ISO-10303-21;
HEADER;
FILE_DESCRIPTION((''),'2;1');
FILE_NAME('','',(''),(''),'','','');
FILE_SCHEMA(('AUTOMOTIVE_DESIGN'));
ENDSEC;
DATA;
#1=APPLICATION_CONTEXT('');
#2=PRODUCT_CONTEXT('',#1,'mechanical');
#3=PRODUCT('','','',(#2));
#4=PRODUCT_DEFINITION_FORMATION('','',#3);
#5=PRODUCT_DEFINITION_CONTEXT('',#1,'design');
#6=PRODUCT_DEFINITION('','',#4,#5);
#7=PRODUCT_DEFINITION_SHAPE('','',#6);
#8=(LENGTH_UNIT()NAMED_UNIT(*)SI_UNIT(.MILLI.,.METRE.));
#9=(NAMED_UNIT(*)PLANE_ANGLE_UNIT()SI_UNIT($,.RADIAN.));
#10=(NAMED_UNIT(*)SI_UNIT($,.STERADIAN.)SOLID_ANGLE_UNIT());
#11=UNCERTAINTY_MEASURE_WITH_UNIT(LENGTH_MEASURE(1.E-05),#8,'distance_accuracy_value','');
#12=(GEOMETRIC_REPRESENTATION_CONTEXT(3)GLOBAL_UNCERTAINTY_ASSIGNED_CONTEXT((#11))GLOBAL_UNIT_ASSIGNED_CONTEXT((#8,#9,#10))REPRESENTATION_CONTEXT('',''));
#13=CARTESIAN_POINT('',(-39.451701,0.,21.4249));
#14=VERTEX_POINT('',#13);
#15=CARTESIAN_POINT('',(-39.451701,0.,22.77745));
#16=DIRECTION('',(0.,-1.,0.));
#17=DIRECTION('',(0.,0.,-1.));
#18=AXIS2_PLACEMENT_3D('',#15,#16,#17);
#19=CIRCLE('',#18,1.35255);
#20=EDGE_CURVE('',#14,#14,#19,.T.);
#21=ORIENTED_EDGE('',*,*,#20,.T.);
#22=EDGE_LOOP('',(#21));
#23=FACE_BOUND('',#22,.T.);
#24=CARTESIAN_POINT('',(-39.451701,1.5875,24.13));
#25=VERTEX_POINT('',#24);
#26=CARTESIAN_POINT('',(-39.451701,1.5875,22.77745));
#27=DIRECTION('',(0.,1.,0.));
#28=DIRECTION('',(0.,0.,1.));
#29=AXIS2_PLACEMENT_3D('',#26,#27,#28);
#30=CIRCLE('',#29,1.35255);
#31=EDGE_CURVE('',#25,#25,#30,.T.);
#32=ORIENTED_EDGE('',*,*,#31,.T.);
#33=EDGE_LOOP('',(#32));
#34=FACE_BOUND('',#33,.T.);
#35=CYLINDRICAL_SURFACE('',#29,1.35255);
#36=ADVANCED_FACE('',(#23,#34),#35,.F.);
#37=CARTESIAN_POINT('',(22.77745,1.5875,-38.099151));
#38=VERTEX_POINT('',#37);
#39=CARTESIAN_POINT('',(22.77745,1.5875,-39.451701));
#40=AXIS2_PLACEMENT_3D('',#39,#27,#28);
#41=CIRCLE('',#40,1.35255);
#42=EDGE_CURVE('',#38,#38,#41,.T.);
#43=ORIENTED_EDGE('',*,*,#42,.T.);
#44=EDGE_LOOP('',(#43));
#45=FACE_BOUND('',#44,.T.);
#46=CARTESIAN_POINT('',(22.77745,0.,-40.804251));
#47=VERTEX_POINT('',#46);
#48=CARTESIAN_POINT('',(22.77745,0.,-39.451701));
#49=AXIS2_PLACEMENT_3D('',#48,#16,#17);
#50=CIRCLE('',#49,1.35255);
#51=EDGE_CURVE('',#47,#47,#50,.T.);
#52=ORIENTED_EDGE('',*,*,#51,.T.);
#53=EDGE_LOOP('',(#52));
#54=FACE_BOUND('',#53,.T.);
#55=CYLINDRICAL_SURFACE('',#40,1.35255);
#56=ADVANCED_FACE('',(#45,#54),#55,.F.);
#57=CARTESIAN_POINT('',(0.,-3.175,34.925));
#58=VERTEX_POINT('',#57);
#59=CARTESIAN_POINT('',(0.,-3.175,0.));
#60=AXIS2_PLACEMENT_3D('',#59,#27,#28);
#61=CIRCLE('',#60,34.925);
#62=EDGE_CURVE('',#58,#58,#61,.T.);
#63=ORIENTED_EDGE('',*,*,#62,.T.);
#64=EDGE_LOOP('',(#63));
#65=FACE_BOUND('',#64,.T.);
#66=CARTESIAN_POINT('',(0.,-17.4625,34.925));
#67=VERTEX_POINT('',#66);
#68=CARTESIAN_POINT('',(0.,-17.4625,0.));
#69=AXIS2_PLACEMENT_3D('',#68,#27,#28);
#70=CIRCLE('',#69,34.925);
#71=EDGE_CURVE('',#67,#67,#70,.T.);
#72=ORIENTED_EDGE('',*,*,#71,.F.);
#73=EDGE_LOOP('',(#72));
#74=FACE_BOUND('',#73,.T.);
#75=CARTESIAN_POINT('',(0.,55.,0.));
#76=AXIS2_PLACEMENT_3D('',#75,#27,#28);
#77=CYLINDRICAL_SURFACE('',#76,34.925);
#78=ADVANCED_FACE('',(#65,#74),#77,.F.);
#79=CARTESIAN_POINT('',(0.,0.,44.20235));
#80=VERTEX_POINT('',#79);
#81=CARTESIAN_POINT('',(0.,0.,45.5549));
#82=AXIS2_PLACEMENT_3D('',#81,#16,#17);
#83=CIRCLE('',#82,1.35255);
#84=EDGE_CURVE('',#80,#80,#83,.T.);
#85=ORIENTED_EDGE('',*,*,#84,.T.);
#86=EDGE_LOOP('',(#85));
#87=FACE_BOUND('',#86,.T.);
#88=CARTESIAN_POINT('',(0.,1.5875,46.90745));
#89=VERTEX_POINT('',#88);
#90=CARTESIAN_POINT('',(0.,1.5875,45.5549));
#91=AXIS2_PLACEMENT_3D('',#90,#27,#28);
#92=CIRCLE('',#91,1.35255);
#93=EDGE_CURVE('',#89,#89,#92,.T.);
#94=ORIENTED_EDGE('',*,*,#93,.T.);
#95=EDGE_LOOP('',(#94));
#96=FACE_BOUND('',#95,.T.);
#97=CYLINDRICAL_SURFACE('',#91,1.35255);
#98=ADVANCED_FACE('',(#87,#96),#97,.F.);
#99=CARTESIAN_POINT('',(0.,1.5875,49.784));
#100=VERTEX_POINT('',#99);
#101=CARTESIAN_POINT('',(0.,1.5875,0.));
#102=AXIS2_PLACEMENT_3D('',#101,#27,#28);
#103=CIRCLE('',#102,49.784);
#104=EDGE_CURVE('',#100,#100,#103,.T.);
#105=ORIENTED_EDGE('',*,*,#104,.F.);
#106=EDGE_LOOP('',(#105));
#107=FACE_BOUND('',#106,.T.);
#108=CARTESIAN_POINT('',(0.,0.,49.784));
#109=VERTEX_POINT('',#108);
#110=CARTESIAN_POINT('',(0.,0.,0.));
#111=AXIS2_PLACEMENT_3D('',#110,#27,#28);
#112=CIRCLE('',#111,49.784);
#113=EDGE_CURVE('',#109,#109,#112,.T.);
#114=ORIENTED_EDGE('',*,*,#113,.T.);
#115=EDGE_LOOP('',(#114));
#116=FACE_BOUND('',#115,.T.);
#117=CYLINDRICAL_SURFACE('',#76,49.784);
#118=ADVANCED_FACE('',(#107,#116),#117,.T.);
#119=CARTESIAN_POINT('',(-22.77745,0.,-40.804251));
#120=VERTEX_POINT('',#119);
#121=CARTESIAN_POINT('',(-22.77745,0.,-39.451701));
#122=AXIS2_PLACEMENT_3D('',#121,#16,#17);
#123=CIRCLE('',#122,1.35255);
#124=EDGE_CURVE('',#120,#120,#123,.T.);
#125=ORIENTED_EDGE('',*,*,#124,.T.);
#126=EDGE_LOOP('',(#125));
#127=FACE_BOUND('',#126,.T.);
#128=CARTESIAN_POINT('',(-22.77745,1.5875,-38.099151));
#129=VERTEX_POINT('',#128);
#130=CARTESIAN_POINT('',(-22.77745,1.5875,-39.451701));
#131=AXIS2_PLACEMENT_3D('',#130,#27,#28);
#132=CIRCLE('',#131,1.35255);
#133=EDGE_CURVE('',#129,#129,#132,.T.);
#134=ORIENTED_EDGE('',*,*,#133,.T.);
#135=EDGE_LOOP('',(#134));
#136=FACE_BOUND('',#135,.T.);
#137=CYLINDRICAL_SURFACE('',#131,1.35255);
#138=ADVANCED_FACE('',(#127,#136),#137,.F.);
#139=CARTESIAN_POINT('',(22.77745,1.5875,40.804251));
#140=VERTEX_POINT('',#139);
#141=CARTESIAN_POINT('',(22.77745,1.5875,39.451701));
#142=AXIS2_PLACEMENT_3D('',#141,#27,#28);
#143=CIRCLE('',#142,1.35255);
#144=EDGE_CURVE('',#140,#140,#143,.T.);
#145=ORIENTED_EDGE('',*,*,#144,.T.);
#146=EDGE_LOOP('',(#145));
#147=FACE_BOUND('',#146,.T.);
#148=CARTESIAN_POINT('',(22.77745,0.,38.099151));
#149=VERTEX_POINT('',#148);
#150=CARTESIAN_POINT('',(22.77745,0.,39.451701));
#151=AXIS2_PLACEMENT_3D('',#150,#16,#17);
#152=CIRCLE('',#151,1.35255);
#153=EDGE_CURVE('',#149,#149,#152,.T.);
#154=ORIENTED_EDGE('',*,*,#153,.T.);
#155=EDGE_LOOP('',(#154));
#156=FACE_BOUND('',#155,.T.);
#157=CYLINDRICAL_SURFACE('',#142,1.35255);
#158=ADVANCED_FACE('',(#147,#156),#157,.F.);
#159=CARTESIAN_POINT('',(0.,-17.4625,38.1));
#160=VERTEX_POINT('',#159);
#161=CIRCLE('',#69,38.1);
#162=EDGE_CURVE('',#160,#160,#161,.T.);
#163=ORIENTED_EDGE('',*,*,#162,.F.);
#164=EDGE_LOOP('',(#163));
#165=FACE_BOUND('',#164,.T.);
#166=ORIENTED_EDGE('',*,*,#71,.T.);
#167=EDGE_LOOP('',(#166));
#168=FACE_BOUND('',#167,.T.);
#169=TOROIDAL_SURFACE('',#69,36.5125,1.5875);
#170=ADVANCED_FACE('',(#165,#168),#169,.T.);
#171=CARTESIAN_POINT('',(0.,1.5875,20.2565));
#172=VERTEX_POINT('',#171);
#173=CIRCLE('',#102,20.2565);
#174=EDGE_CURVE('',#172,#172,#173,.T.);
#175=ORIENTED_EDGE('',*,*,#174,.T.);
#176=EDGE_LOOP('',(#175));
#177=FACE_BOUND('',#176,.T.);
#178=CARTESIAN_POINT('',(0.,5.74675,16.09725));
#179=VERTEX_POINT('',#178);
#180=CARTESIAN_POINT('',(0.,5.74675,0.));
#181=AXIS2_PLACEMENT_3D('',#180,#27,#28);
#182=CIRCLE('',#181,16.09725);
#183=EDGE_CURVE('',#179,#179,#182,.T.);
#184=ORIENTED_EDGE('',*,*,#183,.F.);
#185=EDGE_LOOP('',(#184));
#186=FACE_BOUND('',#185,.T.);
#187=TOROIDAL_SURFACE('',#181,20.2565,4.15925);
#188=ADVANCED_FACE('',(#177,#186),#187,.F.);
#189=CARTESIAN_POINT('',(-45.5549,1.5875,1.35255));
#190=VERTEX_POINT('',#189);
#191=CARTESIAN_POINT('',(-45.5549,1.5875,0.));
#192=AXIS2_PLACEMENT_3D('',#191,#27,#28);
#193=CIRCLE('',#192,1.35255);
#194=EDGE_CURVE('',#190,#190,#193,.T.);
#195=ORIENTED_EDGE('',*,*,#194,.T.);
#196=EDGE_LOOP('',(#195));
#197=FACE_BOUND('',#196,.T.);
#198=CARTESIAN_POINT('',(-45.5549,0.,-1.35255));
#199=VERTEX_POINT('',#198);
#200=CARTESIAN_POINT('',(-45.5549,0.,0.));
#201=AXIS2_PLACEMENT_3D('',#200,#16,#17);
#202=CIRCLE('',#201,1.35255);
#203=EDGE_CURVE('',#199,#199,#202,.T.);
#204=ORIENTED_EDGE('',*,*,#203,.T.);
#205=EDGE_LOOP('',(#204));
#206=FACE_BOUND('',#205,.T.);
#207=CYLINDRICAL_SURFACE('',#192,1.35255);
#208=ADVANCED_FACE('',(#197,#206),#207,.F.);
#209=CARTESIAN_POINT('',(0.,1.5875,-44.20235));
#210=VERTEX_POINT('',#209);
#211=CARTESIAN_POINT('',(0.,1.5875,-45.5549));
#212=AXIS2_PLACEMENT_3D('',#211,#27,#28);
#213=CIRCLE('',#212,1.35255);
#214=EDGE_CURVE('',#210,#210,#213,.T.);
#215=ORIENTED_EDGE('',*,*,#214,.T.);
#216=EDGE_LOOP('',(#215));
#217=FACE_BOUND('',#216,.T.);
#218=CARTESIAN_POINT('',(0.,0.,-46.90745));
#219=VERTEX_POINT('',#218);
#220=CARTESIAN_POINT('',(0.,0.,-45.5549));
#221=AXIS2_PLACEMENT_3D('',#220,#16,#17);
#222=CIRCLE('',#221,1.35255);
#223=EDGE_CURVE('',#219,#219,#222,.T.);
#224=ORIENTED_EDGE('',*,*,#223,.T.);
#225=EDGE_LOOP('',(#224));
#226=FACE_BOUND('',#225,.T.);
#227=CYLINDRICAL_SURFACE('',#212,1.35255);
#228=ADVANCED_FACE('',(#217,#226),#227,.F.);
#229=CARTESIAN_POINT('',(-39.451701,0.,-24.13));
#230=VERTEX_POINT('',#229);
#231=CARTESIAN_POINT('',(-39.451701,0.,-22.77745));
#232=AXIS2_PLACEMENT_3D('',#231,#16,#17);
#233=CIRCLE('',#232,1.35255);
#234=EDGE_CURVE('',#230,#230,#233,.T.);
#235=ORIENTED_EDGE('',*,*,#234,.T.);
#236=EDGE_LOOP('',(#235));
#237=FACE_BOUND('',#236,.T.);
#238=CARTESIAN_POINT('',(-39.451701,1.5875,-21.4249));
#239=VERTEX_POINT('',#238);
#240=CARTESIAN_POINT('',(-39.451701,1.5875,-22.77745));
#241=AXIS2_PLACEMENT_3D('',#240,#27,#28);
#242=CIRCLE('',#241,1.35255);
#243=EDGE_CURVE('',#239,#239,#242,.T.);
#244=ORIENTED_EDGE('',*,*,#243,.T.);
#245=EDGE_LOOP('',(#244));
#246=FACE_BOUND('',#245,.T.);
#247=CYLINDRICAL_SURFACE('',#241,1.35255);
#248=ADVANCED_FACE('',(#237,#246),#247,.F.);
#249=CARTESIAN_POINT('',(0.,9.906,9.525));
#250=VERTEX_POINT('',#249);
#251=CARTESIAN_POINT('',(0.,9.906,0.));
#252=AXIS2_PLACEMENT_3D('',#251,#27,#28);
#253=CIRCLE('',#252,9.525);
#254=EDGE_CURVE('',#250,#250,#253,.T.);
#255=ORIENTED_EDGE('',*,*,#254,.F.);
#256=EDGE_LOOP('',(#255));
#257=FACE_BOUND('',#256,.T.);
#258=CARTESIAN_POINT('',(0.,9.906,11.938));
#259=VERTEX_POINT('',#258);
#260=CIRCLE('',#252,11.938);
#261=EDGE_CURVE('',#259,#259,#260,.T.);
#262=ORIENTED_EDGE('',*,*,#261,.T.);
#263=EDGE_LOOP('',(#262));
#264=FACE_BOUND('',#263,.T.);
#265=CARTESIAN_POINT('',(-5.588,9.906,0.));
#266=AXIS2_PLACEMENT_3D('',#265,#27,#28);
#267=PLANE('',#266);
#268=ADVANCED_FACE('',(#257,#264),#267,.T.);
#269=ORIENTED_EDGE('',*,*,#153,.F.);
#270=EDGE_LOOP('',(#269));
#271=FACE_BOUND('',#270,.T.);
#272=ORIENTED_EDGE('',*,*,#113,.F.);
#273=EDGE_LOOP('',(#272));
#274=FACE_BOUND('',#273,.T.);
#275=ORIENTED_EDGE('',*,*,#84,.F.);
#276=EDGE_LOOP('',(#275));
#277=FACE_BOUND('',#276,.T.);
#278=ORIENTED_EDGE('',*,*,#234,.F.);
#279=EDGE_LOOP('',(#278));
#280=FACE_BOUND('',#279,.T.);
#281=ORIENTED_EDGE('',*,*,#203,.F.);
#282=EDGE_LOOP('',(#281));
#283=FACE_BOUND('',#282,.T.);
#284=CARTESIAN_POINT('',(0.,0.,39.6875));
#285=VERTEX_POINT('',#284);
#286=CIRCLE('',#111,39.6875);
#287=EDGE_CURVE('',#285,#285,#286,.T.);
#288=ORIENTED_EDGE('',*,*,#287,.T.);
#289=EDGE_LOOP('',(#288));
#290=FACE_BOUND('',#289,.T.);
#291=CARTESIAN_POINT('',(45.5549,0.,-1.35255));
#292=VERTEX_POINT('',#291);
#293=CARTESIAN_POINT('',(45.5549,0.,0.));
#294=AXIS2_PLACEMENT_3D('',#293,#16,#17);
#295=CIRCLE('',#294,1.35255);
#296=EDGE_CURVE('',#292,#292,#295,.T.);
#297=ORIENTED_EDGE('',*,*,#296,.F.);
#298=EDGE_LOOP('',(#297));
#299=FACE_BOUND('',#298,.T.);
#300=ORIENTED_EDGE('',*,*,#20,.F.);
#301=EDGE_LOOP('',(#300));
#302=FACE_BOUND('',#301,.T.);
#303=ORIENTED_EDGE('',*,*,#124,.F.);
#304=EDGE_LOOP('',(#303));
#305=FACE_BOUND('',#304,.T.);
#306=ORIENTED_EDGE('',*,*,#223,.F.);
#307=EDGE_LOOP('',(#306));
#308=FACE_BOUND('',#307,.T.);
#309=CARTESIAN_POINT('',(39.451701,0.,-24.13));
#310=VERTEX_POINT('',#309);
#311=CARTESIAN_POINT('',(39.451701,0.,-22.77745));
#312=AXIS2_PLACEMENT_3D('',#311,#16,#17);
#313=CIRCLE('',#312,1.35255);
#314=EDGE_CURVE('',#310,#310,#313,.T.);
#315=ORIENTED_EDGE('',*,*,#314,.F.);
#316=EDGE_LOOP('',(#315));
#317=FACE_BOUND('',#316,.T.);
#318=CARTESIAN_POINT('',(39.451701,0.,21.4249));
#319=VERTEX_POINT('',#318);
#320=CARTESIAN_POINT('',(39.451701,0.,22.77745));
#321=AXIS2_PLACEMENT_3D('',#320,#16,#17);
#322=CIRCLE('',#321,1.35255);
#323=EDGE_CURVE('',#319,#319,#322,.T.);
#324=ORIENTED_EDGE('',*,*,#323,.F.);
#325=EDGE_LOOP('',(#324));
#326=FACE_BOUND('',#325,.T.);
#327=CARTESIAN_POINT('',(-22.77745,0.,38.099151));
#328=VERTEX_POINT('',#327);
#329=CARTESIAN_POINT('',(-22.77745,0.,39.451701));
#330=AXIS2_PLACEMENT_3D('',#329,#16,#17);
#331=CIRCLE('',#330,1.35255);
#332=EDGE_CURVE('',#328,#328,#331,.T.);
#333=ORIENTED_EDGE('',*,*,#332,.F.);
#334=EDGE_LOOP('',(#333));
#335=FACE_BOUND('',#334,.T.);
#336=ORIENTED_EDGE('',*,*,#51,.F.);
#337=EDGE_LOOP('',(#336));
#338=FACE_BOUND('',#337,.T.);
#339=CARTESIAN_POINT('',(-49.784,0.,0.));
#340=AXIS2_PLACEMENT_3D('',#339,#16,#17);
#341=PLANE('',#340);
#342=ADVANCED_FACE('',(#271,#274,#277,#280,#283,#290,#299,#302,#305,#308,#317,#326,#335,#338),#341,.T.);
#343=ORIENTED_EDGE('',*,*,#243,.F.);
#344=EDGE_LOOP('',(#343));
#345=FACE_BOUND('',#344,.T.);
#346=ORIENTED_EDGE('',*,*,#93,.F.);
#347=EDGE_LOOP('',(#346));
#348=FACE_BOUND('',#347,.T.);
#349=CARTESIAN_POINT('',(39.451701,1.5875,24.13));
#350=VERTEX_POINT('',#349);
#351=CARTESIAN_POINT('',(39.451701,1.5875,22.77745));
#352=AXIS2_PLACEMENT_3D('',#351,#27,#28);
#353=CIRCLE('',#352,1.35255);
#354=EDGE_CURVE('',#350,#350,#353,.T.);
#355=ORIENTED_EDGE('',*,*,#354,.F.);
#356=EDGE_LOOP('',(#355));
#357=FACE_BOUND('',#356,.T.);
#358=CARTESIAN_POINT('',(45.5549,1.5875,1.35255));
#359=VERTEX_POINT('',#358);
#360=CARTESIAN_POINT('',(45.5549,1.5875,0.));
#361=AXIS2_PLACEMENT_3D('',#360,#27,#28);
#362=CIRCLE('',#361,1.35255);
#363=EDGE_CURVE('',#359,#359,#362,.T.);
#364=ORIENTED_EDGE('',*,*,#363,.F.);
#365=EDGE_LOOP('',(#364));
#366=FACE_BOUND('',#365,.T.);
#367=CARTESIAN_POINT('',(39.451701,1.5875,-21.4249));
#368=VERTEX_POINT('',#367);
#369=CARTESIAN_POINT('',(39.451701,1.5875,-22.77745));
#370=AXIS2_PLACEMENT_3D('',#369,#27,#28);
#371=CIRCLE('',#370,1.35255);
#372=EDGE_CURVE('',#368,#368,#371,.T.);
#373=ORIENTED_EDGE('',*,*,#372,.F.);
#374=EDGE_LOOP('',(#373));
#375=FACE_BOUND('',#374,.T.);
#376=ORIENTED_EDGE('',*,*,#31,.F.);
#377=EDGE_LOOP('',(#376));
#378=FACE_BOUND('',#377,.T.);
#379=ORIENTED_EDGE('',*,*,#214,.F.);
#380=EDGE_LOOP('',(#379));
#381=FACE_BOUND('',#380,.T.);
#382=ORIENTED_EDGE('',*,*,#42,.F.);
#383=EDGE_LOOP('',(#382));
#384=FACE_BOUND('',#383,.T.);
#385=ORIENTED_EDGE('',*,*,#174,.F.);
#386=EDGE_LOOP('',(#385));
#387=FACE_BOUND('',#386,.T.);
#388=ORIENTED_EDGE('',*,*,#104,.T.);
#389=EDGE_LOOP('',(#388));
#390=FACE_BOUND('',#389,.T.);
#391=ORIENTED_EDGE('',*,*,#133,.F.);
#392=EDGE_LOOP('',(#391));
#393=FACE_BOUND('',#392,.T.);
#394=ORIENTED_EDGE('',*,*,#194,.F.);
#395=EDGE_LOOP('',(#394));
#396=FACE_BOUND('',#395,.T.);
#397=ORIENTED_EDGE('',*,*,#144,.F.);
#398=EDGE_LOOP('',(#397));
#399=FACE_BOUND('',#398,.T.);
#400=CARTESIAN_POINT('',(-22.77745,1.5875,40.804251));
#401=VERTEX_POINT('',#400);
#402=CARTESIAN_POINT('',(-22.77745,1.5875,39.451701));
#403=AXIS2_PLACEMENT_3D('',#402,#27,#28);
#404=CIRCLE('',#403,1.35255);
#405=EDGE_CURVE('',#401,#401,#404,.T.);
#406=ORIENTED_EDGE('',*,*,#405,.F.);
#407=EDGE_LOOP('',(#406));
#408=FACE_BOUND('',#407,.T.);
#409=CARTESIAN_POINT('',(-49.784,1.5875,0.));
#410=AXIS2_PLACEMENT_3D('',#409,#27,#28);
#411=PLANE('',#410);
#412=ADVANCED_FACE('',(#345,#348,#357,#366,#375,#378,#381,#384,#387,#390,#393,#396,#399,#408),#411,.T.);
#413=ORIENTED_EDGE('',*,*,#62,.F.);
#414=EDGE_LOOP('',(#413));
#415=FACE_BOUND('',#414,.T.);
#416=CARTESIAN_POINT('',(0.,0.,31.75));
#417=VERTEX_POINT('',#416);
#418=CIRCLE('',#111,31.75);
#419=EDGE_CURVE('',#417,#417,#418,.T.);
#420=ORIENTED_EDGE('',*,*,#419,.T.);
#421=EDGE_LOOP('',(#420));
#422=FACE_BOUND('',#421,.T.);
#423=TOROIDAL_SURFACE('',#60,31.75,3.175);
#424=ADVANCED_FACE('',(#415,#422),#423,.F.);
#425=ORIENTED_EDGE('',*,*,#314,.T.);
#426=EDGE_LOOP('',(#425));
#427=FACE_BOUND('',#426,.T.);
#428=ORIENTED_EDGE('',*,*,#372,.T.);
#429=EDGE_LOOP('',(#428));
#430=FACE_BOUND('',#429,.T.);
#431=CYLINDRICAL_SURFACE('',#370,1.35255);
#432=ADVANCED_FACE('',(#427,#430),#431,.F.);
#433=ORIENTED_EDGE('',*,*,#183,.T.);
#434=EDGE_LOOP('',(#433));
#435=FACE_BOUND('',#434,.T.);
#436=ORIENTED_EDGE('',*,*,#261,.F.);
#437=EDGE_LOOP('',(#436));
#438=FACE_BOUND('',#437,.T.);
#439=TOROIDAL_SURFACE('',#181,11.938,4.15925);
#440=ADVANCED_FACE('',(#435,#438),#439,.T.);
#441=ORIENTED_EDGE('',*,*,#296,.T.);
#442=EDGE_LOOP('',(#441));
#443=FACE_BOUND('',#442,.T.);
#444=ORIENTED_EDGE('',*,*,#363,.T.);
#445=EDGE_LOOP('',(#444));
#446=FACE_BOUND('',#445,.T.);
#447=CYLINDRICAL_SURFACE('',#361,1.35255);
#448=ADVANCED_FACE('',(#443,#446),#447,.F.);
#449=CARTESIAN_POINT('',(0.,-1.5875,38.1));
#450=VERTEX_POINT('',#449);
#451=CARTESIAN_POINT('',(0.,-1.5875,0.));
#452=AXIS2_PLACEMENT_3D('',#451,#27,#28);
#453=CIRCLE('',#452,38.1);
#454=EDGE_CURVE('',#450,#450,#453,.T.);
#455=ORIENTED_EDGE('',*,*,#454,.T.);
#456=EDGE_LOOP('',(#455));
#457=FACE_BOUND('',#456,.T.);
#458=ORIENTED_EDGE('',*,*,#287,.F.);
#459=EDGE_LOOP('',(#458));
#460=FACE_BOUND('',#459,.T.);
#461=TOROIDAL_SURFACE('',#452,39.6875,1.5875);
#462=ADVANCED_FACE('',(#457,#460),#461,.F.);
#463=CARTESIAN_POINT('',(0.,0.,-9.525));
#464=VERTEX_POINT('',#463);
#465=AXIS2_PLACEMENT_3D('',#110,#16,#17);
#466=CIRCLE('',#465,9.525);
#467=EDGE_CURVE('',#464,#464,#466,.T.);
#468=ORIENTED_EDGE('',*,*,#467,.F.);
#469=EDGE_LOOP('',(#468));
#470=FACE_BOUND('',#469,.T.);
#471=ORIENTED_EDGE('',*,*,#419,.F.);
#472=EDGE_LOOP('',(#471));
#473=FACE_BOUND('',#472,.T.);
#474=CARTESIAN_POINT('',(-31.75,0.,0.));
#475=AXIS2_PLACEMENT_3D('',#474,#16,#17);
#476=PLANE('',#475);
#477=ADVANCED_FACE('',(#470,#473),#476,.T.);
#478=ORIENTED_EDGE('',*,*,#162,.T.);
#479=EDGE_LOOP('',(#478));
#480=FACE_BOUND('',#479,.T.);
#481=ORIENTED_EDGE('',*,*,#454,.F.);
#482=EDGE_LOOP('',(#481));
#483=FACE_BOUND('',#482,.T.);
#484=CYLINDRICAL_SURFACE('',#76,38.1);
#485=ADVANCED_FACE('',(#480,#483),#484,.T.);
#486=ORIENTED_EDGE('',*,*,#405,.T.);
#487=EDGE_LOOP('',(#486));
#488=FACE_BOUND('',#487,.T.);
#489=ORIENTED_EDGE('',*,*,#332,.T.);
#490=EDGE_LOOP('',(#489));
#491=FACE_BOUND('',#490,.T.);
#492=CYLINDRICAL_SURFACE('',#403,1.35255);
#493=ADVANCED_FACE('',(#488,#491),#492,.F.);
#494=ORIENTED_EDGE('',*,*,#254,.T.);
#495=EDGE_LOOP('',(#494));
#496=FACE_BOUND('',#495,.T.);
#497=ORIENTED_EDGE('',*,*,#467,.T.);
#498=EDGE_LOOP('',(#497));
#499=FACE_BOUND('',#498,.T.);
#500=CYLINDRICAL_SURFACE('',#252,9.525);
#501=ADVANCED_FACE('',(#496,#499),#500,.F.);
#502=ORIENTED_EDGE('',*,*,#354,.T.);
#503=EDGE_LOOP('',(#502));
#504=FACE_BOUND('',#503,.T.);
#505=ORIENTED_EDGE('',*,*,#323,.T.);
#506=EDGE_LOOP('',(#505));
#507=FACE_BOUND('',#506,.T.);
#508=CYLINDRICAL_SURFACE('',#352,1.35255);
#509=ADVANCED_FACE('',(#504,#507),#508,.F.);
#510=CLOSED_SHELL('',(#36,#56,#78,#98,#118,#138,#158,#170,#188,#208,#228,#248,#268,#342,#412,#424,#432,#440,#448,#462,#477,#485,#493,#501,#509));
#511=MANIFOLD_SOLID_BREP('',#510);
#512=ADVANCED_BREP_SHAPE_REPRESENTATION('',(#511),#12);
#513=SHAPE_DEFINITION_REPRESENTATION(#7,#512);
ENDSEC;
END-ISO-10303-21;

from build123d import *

# Parameters (mm, degrees)
F_36_0_1065_DIAMETER_HOLE1_D = 2.7051
CIRPATTERN1_COUNT            = 12
F_3_4_0_75_DIAMETER_HOLE1_D  = 19.05


with BuildPart() as part:
    # Sketch1 → Revolve1 (revolve)
    with BuildSketch(Plane.XY):
        with BuildLine():
            Line((-49.784, 0), (-39.6875, 0))
            ThreePointArc((-39.6875, 0), (-38.564967985, -0.464967985), (-38.1, -1.5875))
            Line((-38.1, -1.5875), (-38.1, -17.4625))
            ThreePointArc((-38.1, -17.4625), (-36.5125, -19.05), (-34.925, -17.4625))
            Line((-34.925, -17.4625), (-34.925, -3.175))
            ThreePointArc((-34.925, -3.175), (-33.99506403, -0.92993597), (-31.75, 0))
            Line((-31.75, 0), (-5.588, 0))
            Line((-5.588, 0), (-5.588, 9.906))
            Line((-5.588, 9.906), (-11.938, 9.906))
            ThreePointArc((-11.938, 9.906), (-14.87903388, 8.68778388), (-16.09725, 5.74675))
            ThreePointArc((-16.09725, 5.74675), (-17.31546612, 2.80571612), (-20.2565, 1.5875))
            Line((-20.2565, 1.5875), (-49.784, 1.5875))
            Line((-49.784, 1.5875), (-49.784, 0))
        make_face()
    revolve(axis=Axis((0, 55, 0), (0, -1, 0)))

    # #36 (0.1065) Diameter Hole1 (through all)
    with Locations(Plane(origin=(0, 1.5875, 0), x_dir=(1, 0, 0), z_dir=(0, 1, 0))):
        with Locations((-45.5549, 0)):
            f_36_0_1065_diameter_hole1 = Hole(F_36_0_1065_DIAMETER_HOLE1_D / 2)

    # CirPattern1: #36 (0.1065) Diameter Hole1 ×12 about axis
    cirpattern1_axis = Axis((0, 0, 0), (0, 1, 0))
    for i in range(1, CIRPATTERN1_COUNT):
        add(f_36_0_1065_diameter_hole1.rotate(cirpattern1_axis, i * 360 / CIRPATTERN1_COUNT), mode=Mode.SUBTRACT)

    # 3/4 (0.75) Diameter Hole1 (through all)
    with Locations(Plane(origin=(0, 9.906, 0), x_dir=(1, 0, 0), z_dir=(0, 1, 0))):
        with Locations((0, 0)):
            Hole(F_3_4_0_75_DIAMETER_HOLE1_D / 2)


solid = part.part
